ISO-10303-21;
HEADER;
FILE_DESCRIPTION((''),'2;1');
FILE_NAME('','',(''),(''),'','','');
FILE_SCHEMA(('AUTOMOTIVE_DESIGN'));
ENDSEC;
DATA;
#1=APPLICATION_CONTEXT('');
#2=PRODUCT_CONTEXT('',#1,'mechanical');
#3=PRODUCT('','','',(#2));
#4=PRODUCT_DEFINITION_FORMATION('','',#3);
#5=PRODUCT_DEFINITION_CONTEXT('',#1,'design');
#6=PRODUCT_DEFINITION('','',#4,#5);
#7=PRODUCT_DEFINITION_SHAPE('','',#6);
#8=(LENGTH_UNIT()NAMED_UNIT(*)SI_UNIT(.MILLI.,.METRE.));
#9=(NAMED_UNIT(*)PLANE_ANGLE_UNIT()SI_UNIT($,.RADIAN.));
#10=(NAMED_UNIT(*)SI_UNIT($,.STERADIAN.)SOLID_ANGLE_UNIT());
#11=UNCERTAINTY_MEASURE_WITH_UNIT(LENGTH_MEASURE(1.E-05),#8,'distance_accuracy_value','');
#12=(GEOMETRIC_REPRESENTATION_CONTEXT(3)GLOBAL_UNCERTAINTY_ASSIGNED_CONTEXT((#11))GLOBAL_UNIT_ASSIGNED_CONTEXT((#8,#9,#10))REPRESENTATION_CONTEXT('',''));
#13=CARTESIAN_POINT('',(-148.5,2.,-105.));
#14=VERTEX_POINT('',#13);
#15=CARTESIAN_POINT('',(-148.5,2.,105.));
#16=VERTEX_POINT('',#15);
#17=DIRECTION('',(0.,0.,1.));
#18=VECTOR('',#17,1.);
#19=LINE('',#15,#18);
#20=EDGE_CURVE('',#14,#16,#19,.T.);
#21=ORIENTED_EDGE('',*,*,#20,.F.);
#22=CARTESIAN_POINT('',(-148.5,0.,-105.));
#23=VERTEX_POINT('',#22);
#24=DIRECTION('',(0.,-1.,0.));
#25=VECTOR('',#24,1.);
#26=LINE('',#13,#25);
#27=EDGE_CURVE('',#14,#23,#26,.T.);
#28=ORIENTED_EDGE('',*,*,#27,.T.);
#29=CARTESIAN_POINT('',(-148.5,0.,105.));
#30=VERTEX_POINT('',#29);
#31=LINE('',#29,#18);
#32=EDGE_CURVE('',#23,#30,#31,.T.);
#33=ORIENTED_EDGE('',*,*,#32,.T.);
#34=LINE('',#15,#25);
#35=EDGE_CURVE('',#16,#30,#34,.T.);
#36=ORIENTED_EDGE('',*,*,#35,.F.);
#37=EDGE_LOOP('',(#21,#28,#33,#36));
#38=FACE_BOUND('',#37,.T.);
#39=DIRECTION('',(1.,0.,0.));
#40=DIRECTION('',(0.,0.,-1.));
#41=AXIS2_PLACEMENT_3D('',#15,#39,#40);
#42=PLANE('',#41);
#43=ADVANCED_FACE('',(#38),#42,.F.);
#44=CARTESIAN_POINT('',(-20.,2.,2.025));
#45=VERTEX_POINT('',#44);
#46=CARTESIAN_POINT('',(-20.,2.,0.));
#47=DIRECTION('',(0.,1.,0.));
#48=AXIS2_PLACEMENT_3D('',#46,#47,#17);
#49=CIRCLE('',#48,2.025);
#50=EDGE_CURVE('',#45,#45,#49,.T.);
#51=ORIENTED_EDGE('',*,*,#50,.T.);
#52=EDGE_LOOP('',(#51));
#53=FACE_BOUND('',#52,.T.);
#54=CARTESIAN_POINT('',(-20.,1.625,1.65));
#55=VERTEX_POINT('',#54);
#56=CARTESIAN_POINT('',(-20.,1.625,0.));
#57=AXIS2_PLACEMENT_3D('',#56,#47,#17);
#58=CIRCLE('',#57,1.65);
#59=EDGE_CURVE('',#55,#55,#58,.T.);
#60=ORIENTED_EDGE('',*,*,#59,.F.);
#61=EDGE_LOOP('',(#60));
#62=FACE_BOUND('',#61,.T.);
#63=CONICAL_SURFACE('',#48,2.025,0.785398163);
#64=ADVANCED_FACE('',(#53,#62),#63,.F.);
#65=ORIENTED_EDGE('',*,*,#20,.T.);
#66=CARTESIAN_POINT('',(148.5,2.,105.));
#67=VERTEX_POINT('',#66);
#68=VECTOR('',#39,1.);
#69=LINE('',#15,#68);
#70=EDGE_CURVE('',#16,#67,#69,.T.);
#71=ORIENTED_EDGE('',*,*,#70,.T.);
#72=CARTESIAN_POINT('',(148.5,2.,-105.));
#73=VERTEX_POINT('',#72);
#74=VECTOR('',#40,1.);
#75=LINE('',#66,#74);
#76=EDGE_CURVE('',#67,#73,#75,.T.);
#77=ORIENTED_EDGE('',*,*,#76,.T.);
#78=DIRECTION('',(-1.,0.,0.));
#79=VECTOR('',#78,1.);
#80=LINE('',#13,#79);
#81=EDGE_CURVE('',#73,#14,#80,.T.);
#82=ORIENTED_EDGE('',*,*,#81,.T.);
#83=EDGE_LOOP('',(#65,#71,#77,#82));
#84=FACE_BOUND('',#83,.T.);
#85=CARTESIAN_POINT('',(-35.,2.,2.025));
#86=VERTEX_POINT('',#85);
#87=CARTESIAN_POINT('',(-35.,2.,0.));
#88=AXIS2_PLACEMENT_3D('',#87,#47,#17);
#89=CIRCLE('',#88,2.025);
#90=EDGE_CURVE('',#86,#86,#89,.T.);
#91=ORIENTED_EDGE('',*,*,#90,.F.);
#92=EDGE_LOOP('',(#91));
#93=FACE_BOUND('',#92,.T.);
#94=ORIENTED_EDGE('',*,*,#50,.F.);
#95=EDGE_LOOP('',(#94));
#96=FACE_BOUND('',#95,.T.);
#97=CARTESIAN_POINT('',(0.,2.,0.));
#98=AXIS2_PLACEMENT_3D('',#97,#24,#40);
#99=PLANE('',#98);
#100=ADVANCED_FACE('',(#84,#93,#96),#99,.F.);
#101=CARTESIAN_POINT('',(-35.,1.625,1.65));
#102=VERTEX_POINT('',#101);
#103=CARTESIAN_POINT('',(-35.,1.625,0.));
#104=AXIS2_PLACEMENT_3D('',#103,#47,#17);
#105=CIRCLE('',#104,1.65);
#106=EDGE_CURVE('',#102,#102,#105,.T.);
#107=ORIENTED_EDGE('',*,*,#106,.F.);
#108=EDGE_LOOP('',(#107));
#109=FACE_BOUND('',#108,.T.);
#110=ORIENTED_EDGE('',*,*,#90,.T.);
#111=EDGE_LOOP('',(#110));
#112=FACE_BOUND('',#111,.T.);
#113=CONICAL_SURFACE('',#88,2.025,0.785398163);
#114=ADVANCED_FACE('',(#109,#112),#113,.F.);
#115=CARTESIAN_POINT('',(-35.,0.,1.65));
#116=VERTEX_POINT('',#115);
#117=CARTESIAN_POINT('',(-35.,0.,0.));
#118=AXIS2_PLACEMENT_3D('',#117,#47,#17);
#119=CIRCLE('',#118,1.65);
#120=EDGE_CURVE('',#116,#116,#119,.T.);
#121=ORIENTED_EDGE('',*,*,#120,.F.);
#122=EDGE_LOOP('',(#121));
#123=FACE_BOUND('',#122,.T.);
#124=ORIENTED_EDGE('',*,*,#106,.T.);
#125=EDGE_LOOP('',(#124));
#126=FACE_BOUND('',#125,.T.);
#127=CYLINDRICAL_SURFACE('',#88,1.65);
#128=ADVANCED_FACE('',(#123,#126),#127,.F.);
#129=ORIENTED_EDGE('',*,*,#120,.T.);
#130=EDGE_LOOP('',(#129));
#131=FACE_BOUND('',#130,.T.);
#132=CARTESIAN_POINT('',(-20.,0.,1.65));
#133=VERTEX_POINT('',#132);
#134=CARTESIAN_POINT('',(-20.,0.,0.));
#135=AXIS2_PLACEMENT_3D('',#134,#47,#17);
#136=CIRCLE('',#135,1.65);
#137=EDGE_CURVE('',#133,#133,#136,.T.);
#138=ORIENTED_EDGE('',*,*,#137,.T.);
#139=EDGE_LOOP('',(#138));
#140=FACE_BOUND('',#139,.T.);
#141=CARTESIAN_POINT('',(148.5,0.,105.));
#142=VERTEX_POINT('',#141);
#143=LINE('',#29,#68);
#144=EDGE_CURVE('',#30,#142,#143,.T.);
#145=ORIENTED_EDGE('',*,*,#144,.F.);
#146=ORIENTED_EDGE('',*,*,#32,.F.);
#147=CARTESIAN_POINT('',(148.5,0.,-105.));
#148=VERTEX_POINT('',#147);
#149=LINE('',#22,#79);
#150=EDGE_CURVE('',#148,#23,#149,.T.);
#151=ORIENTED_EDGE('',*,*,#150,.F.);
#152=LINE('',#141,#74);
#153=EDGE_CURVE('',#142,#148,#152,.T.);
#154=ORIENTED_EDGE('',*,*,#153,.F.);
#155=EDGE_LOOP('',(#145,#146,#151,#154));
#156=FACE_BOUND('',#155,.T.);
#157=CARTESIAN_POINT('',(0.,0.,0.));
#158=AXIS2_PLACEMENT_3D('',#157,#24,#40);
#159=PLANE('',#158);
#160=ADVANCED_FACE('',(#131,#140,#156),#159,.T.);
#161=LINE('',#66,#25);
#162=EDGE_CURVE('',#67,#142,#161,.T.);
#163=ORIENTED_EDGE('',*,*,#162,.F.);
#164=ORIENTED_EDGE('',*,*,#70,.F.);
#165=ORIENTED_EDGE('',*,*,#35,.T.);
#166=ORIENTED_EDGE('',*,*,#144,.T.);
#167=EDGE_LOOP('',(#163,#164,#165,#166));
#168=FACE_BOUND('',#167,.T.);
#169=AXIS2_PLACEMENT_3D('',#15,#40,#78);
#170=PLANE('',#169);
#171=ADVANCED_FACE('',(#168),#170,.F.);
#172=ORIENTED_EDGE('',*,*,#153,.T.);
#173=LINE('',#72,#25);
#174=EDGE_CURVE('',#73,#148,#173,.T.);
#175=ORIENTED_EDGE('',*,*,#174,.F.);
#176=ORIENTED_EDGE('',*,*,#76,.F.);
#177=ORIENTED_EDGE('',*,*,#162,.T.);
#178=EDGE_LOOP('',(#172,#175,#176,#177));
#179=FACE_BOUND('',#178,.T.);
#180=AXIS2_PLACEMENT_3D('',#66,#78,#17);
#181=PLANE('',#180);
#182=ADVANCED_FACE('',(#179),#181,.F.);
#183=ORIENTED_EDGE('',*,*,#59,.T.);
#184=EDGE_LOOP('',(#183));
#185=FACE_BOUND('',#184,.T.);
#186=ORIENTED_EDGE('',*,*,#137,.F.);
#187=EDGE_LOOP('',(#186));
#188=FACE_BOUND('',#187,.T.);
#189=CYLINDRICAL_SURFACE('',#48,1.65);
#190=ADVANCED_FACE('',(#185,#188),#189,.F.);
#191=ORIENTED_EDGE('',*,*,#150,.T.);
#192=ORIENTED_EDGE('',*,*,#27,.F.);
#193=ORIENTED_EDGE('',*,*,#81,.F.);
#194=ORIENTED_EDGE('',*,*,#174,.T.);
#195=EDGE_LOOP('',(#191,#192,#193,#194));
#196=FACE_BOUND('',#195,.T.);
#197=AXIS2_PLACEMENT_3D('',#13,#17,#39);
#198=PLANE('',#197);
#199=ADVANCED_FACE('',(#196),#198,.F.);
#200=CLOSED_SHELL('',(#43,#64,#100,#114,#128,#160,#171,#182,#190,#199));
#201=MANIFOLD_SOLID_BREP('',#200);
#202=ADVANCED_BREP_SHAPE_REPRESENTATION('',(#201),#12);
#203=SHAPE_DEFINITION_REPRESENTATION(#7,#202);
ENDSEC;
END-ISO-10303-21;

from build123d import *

# Parameters (mm, degrees)
SKETCH1_W                  = 297
SKETCH1_H                  = 210
BOSS_EXTRUDE1_DEPTH        = 2
M4_TAPPED_HOLE1_AT_2_COUNT = 2
M4_TAPPED_HOLE1_AT_2_PITCH = 15


with BuildPart() as part:
    # Sketch1 → Boss-Extrude1 (new body)
    with BuildSketch(Plane(origin=(0, 0, 0), x_dir=(1, 0, 0), z_dir=(0, 1, 0))):
        Rectangle(SKETCH1_W, SKETCH1_H)
    extrude(amount=BOSS_EXTRUDE1_DEPTH)

    # Sketch6 → M4 Tapped Hole1 (revolve, cut)
    with BuildSketch(Plane(origin=(-20, 2, 0), x_dir=(0, 0, 1), z_dir=(1, 0, 0))):
        Polygon((0, 0), (0, 2), (1.65, 2), (1.65, 0.375), (2.025, 0), align=None)
    m4_tapped_hole1 = revolve(axis=Axis((-20, 8.35, 0), (0, -1, 0)), mode=Mode.SUBTRACT)

    # M4 Tapped Hole1 at 2: M4 Tapped Hole1 ×2
    with Locations(*[(-i * M4_TAPPED_HOLE1_AT_2_PITCH, 0, 0) for i in range(1, M4_TAPPED_HOLE1_AT_2_COUNT)]):
        add(m4_tapped_hole1, mode=Mode.SUBTRACT)


solid = part.part
